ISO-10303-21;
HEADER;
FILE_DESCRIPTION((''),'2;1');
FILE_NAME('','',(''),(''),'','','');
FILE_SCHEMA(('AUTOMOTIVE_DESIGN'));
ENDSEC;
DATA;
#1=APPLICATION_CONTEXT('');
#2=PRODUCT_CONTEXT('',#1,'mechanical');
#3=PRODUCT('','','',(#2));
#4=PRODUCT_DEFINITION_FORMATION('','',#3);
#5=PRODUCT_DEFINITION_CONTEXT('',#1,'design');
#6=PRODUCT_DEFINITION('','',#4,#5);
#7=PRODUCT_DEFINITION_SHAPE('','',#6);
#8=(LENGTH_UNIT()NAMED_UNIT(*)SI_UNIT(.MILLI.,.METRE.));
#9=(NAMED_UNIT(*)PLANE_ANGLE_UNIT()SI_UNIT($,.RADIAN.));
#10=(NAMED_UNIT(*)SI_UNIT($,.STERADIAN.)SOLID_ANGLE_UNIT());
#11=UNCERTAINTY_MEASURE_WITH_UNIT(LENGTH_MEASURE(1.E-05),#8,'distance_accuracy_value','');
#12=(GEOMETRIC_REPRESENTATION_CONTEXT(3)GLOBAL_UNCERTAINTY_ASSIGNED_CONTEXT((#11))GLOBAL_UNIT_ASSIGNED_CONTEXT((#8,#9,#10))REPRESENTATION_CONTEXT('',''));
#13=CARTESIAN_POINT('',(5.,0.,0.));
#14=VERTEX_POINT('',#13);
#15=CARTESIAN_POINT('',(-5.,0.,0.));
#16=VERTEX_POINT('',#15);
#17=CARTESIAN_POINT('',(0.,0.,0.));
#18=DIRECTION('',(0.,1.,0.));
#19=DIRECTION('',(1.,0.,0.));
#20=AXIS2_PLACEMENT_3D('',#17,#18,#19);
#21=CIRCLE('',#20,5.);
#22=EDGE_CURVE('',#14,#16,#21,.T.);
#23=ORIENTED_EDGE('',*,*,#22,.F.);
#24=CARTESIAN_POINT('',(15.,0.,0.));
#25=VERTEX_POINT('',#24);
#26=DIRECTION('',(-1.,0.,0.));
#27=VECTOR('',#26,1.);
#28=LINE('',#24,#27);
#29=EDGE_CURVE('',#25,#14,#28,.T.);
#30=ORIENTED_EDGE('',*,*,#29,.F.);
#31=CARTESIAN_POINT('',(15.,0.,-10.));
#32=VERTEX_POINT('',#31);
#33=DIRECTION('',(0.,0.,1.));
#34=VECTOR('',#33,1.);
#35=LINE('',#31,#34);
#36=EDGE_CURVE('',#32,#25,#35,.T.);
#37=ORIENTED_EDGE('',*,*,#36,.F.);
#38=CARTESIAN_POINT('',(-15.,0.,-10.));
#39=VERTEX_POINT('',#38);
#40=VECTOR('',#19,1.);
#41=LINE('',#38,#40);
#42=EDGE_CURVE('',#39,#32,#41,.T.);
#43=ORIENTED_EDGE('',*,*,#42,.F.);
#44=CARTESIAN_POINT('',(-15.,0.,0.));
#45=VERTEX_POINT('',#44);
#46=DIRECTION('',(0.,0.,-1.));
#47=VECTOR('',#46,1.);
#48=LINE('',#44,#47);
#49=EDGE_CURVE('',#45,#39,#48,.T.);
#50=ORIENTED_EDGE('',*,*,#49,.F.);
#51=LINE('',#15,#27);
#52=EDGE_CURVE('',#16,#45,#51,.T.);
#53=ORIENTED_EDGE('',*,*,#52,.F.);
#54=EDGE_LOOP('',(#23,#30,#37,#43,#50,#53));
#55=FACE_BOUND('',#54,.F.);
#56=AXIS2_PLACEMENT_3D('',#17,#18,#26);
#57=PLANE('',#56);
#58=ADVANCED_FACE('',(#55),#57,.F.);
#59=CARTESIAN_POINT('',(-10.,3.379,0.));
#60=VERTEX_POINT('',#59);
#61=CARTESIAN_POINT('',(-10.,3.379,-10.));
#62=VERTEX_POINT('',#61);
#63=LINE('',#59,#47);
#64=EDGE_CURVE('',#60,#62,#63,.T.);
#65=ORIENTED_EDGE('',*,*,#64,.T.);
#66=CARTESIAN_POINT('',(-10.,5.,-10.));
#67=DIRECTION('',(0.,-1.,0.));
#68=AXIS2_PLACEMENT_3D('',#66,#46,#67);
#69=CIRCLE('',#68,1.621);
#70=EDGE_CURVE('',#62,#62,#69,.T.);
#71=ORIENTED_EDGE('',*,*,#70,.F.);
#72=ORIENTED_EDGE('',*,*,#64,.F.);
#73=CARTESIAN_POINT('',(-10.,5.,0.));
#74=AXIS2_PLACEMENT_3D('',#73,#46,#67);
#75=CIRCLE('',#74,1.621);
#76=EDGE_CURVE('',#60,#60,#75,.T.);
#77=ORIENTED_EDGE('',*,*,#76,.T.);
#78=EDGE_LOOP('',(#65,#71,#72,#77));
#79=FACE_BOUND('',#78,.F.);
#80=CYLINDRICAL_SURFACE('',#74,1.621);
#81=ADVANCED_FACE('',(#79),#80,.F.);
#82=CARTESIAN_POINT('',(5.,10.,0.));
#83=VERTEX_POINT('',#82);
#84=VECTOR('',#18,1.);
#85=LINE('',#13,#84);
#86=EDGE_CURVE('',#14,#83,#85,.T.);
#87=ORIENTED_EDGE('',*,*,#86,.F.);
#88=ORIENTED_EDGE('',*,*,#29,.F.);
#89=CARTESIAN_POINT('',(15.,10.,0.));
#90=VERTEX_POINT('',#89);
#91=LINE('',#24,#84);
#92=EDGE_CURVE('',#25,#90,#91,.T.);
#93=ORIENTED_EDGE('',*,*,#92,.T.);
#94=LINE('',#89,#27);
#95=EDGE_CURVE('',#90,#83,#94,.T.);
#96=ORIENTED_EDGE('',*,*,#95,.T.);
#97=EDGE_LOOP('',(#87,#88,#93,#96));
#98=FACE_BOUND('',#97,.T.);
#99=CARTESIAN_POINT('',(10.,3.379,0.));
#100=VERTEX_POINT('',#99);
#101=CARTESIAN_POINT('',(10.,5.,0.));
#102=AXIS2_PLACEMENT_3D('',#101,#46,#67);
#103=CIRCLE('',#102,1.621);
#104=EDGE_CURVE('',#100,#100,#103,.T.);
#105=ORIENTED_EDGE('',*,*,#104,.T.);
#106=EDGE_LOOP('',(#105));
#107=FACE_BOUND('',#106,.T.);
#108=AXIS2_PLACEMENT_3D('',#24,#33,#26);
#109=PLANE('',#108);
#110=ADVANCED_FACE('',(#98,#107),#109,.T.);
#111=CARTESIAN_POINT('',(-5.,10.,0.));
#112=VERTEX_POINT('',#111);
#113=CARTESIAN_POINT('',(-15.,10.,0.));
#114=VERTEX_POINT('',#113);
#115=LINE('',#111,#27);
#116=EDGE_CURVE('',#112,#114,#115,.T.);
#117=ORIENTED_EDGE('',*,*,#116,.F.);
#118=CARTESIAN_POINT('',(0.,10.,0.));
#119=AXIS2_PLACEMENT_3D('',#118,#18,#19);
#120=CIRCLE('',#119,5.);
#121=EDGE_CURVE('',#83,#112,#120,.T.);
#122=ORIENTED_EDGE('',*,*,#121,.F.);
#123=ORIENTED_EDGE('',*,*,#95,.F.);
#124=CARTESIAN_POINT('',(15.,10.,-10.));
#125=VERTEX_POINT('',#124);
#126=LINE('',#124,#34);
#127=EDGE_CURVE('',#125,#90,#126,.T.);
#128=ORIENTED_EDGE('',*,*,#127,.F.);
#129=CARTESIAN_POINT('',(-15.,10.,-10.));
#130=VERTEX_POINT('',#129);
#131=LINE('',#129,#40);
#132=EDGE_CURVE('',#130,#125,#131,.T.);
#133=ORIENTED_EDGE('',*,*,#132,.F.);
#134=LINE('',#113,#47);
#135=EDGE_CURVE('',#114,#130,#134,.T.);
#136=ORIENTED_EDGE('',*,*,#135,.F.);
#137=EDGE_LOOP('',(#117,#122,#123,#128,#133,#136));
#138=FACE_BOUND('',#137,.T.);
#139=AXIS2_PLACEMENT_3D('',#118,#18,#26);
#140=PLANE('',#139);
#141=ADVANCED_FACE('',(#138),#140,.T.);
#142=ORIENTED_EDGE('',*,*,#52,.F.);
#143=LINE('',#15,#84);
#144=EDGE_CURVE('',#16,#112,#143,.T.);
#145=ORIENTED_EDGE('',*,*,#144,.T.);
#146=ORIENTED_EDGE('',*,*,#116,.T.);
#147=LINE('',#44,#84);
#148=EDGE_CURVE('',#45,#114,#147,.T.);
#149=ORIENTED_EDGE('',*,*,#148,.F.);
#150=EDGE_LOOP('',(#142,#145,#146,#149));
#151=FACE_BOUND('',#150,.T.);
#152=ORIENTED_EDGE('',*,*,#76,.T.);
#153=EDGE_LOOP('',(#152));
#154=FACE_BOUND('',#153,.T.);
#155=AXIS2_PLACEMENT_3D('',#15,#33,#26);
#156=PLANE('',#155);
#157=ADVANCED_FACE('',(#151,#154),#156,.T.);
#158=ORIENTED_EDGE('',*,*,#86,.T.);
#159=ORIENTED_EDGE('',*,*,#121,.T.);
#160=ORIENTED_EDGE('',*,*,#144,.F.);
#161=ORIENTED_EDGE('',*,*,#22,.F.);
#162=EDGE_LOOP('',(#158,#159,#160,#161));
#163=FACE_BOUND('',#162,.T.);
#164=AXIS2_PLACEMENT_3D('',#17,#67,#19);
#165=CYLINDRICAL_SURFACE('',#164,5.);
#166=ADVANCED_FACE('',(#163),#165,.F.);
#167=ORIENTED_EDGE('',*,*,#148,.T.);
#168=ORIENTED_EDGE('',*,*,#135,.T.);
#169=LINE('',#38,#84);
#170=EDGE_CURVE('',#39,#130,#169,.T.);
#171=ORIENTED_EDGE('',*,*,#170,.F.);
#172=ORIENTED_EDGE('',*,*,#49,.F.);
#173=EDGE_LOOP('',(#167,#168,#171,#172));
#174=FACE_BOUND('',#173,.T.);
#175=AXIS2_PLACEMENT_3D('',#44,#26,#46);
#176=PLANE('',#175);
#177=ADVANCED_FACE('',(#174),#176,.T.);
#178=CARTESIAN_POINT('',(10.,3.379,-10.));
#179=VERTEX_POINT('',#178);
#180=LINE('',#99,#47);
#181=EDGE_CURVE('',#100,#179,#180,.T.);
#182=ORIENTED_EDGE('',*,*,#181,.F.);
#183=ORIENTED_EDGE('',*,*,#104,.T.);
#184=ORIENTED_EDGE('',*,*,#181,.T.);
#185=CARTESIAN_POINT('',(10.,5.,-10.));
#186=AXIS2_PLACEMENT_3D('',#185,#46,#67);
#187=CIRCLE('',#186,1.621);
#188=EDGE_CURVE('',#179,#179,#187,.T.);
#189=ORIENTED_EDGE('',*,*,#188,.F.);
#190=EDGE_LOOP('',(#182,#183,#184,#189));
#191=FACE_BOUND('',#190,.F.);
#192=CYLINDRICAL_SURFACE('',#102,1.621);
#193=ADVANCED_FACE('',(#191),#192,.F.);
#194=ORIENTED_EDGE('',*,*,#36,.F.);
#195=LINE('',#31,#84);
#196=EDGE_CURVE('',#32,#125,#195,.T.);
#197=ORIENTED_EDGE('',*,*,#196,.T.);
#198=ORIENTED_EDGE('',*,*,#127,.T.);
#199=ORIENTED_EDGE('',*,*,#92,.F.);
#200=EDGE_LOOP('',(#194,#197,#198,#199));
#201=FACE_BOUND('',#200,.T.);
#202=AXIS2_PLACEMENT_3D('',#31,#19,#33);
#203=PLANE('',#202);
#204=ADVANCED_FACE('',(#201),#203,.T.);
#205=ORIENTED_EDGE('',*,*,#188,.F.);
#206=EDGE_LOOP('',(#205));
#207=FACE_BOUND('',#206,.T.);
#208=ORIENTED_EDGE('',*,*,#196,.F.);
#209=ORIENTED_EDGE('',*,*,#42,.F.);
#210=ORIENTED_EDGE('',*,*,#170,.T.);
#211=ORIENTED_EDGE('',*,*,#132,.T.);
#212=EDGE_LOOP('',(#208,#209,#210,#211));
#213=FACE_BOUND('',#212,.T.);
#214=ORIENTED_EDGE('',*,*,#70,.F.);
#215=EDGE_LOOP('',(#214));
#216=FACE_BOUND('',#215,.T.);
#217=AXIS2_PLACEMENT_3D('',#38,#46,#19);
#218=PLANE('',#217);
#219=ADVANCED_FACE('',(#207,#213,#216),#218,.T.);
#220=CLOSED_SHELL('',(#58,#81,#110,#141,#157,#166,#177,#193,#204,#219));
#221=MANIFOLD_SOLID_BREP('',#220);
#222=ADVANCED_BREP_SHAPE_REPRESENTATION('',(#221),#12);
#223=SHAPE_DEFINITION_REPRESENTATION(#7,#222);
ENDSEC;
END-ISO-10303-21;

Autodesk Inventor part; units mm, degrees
ref_plane "YZ Plane" through (0, 0, 0) normal (1, 0, 0) x (0, 1, 0)
ref_plane "XZ Plane" through (0, 0, 0) normal (0, 1, 0) x (-1, 0, 0)
ref_plane "XY Plane" through (0, 0, 0) normal (0, 0, 1) x (1, 0, 0)
sketch "Sketch2" plane through (0, 0, 0) normal (0, 1, 0) x (-1, 0, 0)
  line L0 (5, 0) -> (15, 0)
  line L1 (15, 0) -> (15, -10)
  line L2 (15, -10) -> (-15, -10)
  line L3 (-15, -10) -> (-15, 0)
  line L4 (-15, 0) -> (-5, 0)
  arc A0 (-5, 0) -> (5, 0) centre (0, 0) ccw
  dimension "d0" = 10
  dimension "d1" = 5
  dimension "d12" = 10
extrude "Extrusion1" add sketch "Sketch2" along normal blind 10
sketch "Sketch3" plane through (0, 0, 0) normal (0, 0, 1) x (1, 0, 0)
  line L0 (5, 0) -> (15, 0) construction
  line L1 (15, 0) -> (15, 10) construction
  line L2 (5, 10) -> (15, 10) construction
  line L3 (5, 0) -> (5, 10) construction
  line L4 (-15, 0) -> (-5, 0) construction
  line L5 (-5, 0) -> (-5, 10) construction
  line L6 (-15, 10) -> (-5, 10) construction
  line L7 (-15, 0) -> (-15, 10) construction
  line L8 (15, 10) -> (5, 0) construction
  line L9 (5, 10) -> (15, 0) construction
  line L10 (-5, 0) -> (-15, 10) construction
  line L11 (-5, 10) -> (-15, 0) construction
  point P0 (0, 0)
  point P1 (-10, 5)
  point P2 (10, 5)
hole "Hole1" at (-10, 5, 0) at (10, 5, 0) direction (0, 0, -1) diameter 3.242 end through all thread size "M4x0.7" class "6H" standard "ISO Metric profile"
properties part number "P014-Chapeau_bielle"
